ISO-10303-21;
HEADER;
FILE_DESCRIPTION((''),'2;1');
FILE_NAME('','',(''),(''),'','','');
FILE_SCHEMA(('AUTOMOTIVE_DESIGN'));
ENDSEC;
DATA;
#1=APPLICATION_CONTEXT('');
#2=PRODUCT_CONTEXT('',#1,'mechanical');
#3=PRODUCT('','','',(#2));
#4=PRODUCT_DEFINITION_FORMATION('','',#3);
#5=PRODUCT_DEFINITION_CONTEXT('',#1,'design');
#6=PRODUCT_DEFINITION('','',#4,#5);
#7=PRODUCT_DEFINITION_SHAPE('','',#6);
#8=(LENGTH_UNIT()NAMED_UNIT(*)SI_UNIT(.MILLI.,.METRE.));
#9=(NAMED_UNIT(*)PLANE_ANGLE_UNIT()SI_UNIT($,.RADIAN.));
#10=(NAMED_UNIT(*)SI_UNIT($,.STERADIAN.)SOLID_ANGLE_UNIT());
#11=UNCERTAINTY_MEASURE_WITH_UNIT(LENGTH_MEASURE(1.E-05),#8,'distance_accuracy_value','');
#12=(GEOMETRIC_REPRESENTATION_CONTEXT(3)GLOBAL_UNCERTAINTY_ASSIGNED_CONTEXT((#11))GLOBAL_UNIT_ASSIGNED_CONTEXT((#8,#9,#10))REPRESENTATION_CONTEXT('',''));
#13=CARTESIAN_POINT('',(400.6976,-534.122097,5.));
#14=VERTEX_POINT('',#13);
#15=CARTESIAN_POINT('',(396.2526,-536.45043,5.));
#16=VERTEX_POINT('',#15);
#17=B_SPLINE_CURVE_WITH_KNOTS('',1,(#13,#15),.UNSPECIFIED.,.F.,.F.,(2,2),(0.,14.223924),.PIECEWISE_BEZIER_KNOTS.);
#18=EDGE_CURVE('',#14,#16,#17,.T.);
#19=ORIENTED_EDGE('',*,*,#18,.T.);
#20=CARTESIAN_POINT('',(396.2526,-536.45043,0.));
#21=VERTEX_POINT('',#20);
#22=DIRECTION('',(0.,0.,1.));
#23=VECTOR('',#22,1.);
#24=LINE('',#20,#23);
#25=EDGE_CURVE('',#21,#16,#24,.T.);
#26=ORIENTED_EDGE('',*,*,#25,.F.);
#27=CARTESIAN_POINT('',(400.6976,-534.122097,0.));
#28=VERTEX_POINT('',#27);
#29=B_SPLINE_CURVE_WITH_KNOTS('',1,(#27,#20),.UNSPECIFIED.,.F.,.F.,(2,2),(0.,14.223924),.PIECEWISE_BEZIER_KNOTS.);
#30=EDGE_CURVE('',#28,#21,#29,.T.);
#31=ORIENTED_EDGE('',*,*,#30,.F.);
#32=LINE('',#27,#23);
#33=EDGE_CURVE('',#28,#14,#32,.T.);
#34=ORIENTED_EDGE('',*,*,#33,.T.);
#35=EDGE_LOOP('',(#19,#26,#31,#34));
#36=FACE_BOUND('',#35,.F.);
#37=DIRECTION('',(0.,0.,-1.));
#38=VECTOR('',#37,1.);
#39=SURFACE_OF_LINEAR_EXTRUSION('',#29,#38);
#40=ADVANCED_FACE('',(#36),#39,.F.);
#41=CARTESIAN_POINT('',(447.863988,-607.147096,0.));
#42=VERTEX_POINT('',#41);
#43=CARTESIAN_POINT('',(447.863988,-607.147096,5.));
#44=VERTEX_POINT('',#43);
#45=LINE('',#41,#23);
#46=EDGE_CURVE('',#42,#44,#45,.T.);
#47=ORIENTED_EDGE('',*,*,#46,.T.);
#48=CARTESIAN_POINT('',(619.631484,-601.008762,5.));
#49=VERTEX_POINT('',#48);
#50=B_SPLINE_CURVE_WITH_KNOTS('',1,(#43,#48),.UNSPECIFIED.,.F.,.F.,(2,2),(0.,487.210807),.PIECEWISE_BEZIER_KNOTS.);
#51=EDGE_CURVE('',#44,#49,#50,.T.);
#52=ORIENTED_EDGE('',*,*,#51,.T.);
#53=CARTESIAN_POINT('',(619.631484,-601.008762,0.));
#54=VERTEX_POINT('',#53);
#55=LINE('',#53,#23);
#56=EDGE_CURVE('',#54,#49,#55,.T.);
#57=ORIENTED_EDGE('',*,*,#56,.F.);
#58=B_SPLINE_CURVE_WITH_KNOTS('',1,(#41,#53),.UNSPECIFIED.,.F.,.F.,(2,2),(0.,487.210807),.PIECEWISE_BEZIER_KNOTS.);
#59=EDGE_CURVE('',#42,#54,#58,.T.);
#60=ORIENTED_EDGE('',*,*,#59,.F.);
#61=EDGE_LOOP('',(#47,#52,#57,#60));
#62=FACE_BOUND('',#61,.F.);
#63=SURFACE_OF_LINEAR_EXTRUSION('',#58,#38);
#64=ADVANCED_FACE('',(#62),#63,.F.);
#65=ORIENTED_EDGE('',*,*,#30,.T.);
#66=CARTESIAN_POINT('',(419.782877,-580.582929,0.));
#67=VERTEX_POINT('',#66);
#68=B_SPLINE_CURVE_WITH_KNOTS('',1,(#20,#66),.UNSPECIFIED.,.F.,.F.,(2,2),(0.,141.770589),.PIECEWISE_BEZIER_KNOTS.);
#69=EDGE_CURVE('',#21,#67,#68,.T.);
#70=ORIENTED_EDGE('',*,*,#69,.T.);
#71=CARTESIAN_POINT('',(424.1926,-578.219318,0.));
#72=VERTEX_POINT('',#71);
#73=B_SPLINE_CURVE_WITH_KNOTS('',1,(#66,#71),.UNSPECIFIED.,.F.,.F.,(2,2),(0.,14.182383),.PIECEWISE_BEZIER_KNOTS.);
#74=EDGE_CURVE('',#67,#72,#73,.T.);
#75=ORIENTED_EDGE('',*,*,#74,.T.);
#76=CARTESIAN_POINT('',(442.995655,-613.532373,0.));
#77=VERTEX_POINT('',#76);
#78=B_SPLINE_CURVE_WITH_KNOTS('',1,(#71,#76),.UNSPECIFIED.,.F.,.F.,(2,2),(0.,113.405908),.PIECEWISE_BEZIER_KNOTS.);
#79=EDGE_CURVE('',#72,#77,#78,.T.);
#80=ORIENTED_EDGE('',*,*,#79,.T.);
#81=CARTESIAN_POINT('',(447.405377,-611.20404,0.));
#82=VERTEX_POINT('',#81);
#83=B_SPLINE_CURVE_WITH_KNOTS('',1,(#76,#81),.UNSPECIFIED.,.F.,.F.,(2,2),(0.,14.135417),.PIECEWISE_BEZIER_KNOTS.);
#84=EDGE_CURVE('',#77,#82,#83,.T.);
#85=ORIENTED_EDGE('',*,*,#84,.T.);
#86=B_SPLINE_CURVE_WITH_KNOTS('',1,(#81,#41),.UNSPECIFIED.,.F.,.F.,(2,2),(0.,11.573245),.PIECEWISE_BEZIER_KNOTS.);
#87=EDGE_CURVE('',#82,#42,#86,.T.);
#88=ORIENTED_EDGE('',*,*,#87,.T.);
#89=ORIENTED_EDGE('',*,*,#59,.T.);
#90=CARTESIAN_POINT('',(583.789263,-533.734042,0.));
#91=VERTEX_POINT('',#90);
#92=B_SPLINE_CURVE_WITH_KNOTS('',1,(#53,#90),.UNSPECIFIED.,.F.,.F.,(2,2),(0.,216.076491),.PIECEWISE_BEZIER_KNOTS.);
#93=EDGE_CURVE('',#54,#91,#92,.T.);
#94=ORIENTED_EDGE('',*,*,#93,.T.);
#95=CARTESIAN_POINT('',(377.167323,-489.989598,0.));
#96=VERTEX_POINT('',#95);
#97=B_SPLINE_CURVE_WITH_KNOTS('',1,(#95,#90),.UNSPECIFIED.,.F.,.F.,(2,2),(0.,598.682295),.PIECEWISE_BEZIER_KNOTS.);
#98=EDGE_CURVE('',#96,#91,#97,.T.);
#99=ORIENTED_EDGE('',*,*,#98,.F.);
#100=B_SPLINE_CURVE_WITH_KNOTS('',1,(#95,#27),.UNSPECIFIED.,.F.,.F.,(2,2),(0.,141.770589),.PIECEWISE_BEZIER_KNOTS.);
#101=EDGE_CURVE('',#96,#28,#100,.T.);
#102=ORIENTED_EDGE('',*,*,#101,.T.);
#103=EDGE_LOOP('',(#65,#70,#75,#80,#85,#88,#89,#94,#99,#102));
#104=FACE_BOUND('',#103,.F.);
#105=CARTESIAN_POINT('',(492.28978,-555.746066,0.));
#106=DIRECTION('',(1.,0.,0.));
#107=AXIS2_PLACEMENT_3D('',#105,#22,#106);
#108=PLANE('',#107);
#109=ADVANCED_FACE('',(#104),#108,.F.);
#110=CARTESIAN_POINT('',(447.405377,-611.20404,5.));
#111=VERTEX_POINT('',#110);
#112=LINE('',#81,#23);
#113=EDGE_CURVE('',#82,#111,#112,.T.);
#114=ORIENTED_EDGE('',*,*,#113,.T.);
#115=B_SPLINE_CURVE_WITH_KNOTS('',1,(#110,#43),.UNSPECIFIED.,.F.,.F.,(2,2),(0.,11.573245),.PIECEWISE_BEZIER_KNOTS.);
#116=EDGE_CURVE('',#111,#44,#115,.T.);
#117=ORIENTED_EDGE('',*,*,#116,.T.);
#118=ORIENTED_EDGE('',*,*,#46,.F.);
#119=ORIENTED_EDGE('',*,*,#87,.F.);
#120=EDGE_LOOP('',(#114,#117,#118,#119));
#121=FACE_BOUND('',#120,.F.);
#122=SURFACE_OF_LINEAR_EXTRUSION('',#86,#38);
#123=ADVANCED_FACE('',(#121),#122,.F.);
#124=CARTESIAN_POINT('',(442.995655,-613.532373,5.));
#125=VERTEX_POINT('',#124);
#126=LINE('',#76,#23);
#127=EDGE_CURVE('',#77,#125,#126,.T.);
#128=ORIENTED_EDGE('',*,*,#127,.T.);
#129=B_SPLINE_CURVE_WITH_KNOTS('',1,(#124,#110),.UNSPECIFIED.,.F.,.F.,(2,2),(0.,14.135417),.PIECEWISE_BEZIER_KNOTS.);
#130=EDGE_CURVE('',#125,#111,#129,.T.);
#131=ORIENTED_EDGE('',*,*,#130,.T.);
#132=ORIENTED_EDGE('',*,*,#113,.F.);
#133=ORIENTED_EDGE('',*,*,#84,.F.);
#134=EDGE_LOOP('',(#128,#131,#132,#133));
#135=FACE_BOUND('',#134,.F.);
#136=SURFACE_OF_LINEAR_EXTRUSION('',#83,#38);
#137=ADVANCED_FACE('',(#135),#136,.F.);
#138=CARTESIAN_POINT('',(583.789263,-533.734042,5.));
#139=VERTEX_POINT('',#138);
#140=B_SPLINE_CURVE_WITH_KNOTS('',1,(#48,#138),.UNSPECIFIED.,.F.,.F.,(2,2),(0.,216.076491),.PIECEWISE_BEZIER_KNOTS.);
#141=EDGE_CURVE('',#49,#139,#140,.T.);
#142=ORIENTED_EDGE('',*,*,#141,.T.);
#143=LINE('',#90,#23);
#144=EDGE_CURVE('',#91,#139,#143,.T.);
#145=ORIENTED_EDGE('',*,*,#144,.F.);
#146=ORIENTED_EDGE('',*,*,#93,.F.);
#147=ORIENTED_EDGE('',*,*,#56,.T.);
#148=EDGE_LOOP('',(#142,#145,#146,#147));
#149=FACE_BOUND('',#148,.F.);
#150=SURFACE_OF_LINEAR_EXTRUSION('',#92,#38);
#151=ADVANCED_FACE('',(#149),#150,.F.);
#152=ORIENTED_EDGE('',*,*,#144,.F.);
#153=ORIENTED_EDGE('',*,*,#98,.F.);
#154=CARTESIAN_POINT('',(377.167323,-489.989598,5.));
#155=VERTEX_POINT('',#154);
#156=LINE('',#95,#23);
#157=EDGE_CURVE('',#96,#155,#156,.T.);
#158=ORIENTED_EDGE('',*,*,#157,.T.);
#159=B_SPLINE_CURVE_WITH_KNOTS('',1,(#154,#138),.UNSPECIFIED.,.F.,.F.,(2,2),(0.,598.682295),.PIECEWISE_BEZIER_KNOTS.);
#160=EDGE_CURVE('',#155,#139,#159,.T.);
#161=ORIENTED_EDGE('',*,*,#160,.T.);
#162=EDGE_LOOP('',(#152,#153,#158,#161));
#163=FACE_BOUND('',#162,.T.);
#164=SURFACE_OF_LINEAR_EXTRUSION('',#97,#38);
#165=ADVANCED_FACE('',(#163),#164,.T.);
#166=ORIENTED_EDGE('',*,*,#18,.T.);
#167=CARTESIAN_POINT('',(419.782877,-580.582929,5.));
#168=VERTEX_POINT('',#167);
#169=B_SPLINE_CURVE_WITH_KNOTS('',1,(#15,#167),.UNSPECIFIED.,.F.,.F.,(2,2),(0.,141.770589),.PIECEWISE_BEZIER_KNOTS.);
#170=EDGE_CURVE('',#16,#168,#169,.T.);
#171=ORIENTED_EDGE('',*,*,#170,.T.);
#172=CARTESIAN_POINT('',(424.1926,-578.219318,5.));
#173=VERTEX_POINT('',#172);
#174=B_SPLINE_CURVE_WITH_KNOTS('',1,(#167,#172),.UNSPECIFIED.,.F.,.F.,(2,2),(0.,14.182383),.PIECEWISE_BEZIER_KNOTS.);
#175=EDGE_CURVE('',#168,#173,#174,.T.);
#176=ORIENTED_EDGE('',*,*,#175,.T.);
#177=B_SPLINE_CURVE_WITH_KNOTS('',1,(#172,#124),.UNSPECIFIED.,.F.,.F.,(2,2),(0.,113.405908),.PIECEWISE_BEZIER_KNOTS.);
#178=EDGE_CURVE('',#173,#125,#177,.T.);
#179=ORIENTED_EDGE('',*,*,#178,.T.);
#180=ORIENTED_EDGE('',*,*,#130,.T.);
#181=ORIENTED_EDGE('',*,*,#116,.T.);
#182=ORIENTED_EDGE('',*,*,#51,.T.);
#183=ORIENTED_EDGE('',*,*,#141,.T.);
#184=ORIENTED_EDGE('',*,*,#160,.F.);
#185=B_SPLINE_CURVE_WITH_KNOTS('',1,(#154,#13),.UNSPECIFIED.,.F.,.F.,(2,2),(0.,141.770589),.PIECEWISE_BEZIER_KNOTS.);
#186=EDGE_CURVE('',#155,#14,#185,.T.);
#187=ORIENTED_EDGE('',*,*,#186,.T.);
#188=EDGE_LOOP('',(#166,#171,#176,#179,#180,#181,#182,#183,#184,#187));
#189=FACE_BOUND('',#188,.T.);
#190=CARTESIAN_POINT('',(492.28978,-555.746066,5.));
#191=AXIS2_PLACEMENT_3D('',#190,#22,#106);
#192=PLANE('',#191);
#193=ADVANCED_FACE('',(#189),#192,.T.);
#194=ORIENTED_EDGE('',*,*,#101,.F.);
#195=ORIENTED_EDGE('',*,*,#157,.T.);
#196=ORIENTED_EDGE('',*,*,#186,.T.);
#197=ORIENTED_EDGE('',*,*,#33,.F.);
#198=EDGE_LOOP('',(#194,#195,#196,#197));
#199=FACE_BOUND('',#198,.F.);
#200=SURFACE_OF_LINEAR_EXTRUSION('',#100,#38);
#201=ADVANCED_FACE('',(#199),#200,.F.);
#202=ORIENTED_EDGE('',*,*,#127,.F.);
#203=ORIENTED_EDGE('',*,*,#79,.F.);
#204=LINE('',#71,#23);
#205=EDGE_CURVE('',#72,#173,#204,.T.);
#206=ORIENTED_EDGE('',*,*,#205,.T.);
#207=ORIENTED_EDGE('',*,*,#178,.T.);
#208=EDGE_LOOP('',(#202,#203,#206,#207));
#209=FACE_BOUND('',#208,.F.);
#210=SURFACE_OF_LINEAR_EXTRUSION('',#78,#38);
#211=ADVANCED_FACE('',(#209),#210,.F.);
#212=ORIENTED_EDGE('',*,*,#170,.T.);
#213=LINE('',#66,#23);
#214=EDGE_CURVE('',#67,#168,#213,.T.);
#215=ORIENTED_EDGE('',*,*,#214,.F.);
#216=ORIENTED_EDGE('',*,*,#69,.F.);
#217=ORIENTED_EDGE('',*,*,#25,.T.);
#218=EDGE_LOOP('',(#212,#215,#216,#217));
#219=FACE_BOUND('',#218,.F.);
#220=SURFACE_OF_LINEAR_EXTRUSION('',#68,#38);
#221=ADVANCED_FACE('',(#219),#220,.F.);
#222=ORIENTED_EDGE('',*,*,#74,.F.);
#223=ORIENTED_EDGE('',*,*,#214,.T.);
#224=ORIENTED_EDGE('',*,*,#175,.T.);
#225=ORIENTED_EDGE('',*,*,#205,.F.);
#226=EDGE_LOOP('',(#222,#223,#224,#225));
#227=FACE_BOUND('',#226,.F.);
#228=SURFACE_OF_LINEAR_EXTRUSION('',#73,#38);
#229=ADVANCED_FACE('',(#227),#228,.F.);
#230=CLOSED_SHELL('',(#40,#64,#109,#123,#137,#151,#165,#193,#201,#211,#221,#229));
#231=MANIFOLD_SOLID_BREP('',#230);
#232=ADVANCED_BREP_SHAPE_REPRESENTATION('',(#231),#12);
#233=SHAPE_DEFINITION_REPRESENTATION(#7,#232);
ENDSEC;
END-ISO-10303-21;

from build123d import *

# Parameters (mm, degrees)
PAD006_DEPTH = 5


with BuildPart() as part:
    # Sketch007 → Pad006 (new body)
    with BuildSketch(Plane.XY):
        with BuildLine():
            add(Edge.make_bspline(
                [(377.167323, -489.989598), (400.6976, -534.122097)],
                knots=[0, 0, 141.770589, 141.770589], degree=1))
            add(Edge.make_bspline(
                [(400.6976, -534.122097), (396.2526, -536.45043)],
                knots=[0, 0, 14.223924, 14.223924], degree=1))
            add(Edge.make_bspline(
                [(396.2526, -536.45043), (419.782877, -580.582929)],
                knots=[0, 0, 141.770589, 141.770589], degree=1))
            add(Edge.make_bspline(
                [(419.782877, -580.582929), (424.1926, -578.219318)],
                knots=[0, 0, 14.182383, 14.182383], degree=1))
            add(Edge.make_bspline(
                [(424.1926, -578.219318), (442.995655, -613.532373)],
                knots=[0, 0, 113.405908, 113.405908], degree=1))
            add(Edge.make_bspline(
                [(442.995655, -613.532373), (447.405377, -611.20404)],
                knots=[0, 0, 14.135417, 14.135417], degree=1))
            add(Edge.make_bspline(
                [(447.405377, -611.20404), (447.863988, -607.147096)],
                knots=[0, 0, 11.573245, 11.573245], degree=1))
            add(Edge.make_bspline(
                [(447.863988, -607.147096), (619.631484, -601.008762)],
                knots=[0, 0, 487.210807, 487.210807], degree=1))
            add(Edge.make_bspline(
                [(619.631484, -601.008762), (583.789263, -533.734042)],
                knots=[0, 0, 216.076491, 216.076491], degree=1))
            add(Edge.make_bspline(
                [(377.167323, -489.989598), (583.789263, -533.734042)],
                knots=[0, 0, 598.682295, 598.682295], degree=1))
        make_face()
    extrude(amount=PAD006_DEPTH)


solid = part.part
